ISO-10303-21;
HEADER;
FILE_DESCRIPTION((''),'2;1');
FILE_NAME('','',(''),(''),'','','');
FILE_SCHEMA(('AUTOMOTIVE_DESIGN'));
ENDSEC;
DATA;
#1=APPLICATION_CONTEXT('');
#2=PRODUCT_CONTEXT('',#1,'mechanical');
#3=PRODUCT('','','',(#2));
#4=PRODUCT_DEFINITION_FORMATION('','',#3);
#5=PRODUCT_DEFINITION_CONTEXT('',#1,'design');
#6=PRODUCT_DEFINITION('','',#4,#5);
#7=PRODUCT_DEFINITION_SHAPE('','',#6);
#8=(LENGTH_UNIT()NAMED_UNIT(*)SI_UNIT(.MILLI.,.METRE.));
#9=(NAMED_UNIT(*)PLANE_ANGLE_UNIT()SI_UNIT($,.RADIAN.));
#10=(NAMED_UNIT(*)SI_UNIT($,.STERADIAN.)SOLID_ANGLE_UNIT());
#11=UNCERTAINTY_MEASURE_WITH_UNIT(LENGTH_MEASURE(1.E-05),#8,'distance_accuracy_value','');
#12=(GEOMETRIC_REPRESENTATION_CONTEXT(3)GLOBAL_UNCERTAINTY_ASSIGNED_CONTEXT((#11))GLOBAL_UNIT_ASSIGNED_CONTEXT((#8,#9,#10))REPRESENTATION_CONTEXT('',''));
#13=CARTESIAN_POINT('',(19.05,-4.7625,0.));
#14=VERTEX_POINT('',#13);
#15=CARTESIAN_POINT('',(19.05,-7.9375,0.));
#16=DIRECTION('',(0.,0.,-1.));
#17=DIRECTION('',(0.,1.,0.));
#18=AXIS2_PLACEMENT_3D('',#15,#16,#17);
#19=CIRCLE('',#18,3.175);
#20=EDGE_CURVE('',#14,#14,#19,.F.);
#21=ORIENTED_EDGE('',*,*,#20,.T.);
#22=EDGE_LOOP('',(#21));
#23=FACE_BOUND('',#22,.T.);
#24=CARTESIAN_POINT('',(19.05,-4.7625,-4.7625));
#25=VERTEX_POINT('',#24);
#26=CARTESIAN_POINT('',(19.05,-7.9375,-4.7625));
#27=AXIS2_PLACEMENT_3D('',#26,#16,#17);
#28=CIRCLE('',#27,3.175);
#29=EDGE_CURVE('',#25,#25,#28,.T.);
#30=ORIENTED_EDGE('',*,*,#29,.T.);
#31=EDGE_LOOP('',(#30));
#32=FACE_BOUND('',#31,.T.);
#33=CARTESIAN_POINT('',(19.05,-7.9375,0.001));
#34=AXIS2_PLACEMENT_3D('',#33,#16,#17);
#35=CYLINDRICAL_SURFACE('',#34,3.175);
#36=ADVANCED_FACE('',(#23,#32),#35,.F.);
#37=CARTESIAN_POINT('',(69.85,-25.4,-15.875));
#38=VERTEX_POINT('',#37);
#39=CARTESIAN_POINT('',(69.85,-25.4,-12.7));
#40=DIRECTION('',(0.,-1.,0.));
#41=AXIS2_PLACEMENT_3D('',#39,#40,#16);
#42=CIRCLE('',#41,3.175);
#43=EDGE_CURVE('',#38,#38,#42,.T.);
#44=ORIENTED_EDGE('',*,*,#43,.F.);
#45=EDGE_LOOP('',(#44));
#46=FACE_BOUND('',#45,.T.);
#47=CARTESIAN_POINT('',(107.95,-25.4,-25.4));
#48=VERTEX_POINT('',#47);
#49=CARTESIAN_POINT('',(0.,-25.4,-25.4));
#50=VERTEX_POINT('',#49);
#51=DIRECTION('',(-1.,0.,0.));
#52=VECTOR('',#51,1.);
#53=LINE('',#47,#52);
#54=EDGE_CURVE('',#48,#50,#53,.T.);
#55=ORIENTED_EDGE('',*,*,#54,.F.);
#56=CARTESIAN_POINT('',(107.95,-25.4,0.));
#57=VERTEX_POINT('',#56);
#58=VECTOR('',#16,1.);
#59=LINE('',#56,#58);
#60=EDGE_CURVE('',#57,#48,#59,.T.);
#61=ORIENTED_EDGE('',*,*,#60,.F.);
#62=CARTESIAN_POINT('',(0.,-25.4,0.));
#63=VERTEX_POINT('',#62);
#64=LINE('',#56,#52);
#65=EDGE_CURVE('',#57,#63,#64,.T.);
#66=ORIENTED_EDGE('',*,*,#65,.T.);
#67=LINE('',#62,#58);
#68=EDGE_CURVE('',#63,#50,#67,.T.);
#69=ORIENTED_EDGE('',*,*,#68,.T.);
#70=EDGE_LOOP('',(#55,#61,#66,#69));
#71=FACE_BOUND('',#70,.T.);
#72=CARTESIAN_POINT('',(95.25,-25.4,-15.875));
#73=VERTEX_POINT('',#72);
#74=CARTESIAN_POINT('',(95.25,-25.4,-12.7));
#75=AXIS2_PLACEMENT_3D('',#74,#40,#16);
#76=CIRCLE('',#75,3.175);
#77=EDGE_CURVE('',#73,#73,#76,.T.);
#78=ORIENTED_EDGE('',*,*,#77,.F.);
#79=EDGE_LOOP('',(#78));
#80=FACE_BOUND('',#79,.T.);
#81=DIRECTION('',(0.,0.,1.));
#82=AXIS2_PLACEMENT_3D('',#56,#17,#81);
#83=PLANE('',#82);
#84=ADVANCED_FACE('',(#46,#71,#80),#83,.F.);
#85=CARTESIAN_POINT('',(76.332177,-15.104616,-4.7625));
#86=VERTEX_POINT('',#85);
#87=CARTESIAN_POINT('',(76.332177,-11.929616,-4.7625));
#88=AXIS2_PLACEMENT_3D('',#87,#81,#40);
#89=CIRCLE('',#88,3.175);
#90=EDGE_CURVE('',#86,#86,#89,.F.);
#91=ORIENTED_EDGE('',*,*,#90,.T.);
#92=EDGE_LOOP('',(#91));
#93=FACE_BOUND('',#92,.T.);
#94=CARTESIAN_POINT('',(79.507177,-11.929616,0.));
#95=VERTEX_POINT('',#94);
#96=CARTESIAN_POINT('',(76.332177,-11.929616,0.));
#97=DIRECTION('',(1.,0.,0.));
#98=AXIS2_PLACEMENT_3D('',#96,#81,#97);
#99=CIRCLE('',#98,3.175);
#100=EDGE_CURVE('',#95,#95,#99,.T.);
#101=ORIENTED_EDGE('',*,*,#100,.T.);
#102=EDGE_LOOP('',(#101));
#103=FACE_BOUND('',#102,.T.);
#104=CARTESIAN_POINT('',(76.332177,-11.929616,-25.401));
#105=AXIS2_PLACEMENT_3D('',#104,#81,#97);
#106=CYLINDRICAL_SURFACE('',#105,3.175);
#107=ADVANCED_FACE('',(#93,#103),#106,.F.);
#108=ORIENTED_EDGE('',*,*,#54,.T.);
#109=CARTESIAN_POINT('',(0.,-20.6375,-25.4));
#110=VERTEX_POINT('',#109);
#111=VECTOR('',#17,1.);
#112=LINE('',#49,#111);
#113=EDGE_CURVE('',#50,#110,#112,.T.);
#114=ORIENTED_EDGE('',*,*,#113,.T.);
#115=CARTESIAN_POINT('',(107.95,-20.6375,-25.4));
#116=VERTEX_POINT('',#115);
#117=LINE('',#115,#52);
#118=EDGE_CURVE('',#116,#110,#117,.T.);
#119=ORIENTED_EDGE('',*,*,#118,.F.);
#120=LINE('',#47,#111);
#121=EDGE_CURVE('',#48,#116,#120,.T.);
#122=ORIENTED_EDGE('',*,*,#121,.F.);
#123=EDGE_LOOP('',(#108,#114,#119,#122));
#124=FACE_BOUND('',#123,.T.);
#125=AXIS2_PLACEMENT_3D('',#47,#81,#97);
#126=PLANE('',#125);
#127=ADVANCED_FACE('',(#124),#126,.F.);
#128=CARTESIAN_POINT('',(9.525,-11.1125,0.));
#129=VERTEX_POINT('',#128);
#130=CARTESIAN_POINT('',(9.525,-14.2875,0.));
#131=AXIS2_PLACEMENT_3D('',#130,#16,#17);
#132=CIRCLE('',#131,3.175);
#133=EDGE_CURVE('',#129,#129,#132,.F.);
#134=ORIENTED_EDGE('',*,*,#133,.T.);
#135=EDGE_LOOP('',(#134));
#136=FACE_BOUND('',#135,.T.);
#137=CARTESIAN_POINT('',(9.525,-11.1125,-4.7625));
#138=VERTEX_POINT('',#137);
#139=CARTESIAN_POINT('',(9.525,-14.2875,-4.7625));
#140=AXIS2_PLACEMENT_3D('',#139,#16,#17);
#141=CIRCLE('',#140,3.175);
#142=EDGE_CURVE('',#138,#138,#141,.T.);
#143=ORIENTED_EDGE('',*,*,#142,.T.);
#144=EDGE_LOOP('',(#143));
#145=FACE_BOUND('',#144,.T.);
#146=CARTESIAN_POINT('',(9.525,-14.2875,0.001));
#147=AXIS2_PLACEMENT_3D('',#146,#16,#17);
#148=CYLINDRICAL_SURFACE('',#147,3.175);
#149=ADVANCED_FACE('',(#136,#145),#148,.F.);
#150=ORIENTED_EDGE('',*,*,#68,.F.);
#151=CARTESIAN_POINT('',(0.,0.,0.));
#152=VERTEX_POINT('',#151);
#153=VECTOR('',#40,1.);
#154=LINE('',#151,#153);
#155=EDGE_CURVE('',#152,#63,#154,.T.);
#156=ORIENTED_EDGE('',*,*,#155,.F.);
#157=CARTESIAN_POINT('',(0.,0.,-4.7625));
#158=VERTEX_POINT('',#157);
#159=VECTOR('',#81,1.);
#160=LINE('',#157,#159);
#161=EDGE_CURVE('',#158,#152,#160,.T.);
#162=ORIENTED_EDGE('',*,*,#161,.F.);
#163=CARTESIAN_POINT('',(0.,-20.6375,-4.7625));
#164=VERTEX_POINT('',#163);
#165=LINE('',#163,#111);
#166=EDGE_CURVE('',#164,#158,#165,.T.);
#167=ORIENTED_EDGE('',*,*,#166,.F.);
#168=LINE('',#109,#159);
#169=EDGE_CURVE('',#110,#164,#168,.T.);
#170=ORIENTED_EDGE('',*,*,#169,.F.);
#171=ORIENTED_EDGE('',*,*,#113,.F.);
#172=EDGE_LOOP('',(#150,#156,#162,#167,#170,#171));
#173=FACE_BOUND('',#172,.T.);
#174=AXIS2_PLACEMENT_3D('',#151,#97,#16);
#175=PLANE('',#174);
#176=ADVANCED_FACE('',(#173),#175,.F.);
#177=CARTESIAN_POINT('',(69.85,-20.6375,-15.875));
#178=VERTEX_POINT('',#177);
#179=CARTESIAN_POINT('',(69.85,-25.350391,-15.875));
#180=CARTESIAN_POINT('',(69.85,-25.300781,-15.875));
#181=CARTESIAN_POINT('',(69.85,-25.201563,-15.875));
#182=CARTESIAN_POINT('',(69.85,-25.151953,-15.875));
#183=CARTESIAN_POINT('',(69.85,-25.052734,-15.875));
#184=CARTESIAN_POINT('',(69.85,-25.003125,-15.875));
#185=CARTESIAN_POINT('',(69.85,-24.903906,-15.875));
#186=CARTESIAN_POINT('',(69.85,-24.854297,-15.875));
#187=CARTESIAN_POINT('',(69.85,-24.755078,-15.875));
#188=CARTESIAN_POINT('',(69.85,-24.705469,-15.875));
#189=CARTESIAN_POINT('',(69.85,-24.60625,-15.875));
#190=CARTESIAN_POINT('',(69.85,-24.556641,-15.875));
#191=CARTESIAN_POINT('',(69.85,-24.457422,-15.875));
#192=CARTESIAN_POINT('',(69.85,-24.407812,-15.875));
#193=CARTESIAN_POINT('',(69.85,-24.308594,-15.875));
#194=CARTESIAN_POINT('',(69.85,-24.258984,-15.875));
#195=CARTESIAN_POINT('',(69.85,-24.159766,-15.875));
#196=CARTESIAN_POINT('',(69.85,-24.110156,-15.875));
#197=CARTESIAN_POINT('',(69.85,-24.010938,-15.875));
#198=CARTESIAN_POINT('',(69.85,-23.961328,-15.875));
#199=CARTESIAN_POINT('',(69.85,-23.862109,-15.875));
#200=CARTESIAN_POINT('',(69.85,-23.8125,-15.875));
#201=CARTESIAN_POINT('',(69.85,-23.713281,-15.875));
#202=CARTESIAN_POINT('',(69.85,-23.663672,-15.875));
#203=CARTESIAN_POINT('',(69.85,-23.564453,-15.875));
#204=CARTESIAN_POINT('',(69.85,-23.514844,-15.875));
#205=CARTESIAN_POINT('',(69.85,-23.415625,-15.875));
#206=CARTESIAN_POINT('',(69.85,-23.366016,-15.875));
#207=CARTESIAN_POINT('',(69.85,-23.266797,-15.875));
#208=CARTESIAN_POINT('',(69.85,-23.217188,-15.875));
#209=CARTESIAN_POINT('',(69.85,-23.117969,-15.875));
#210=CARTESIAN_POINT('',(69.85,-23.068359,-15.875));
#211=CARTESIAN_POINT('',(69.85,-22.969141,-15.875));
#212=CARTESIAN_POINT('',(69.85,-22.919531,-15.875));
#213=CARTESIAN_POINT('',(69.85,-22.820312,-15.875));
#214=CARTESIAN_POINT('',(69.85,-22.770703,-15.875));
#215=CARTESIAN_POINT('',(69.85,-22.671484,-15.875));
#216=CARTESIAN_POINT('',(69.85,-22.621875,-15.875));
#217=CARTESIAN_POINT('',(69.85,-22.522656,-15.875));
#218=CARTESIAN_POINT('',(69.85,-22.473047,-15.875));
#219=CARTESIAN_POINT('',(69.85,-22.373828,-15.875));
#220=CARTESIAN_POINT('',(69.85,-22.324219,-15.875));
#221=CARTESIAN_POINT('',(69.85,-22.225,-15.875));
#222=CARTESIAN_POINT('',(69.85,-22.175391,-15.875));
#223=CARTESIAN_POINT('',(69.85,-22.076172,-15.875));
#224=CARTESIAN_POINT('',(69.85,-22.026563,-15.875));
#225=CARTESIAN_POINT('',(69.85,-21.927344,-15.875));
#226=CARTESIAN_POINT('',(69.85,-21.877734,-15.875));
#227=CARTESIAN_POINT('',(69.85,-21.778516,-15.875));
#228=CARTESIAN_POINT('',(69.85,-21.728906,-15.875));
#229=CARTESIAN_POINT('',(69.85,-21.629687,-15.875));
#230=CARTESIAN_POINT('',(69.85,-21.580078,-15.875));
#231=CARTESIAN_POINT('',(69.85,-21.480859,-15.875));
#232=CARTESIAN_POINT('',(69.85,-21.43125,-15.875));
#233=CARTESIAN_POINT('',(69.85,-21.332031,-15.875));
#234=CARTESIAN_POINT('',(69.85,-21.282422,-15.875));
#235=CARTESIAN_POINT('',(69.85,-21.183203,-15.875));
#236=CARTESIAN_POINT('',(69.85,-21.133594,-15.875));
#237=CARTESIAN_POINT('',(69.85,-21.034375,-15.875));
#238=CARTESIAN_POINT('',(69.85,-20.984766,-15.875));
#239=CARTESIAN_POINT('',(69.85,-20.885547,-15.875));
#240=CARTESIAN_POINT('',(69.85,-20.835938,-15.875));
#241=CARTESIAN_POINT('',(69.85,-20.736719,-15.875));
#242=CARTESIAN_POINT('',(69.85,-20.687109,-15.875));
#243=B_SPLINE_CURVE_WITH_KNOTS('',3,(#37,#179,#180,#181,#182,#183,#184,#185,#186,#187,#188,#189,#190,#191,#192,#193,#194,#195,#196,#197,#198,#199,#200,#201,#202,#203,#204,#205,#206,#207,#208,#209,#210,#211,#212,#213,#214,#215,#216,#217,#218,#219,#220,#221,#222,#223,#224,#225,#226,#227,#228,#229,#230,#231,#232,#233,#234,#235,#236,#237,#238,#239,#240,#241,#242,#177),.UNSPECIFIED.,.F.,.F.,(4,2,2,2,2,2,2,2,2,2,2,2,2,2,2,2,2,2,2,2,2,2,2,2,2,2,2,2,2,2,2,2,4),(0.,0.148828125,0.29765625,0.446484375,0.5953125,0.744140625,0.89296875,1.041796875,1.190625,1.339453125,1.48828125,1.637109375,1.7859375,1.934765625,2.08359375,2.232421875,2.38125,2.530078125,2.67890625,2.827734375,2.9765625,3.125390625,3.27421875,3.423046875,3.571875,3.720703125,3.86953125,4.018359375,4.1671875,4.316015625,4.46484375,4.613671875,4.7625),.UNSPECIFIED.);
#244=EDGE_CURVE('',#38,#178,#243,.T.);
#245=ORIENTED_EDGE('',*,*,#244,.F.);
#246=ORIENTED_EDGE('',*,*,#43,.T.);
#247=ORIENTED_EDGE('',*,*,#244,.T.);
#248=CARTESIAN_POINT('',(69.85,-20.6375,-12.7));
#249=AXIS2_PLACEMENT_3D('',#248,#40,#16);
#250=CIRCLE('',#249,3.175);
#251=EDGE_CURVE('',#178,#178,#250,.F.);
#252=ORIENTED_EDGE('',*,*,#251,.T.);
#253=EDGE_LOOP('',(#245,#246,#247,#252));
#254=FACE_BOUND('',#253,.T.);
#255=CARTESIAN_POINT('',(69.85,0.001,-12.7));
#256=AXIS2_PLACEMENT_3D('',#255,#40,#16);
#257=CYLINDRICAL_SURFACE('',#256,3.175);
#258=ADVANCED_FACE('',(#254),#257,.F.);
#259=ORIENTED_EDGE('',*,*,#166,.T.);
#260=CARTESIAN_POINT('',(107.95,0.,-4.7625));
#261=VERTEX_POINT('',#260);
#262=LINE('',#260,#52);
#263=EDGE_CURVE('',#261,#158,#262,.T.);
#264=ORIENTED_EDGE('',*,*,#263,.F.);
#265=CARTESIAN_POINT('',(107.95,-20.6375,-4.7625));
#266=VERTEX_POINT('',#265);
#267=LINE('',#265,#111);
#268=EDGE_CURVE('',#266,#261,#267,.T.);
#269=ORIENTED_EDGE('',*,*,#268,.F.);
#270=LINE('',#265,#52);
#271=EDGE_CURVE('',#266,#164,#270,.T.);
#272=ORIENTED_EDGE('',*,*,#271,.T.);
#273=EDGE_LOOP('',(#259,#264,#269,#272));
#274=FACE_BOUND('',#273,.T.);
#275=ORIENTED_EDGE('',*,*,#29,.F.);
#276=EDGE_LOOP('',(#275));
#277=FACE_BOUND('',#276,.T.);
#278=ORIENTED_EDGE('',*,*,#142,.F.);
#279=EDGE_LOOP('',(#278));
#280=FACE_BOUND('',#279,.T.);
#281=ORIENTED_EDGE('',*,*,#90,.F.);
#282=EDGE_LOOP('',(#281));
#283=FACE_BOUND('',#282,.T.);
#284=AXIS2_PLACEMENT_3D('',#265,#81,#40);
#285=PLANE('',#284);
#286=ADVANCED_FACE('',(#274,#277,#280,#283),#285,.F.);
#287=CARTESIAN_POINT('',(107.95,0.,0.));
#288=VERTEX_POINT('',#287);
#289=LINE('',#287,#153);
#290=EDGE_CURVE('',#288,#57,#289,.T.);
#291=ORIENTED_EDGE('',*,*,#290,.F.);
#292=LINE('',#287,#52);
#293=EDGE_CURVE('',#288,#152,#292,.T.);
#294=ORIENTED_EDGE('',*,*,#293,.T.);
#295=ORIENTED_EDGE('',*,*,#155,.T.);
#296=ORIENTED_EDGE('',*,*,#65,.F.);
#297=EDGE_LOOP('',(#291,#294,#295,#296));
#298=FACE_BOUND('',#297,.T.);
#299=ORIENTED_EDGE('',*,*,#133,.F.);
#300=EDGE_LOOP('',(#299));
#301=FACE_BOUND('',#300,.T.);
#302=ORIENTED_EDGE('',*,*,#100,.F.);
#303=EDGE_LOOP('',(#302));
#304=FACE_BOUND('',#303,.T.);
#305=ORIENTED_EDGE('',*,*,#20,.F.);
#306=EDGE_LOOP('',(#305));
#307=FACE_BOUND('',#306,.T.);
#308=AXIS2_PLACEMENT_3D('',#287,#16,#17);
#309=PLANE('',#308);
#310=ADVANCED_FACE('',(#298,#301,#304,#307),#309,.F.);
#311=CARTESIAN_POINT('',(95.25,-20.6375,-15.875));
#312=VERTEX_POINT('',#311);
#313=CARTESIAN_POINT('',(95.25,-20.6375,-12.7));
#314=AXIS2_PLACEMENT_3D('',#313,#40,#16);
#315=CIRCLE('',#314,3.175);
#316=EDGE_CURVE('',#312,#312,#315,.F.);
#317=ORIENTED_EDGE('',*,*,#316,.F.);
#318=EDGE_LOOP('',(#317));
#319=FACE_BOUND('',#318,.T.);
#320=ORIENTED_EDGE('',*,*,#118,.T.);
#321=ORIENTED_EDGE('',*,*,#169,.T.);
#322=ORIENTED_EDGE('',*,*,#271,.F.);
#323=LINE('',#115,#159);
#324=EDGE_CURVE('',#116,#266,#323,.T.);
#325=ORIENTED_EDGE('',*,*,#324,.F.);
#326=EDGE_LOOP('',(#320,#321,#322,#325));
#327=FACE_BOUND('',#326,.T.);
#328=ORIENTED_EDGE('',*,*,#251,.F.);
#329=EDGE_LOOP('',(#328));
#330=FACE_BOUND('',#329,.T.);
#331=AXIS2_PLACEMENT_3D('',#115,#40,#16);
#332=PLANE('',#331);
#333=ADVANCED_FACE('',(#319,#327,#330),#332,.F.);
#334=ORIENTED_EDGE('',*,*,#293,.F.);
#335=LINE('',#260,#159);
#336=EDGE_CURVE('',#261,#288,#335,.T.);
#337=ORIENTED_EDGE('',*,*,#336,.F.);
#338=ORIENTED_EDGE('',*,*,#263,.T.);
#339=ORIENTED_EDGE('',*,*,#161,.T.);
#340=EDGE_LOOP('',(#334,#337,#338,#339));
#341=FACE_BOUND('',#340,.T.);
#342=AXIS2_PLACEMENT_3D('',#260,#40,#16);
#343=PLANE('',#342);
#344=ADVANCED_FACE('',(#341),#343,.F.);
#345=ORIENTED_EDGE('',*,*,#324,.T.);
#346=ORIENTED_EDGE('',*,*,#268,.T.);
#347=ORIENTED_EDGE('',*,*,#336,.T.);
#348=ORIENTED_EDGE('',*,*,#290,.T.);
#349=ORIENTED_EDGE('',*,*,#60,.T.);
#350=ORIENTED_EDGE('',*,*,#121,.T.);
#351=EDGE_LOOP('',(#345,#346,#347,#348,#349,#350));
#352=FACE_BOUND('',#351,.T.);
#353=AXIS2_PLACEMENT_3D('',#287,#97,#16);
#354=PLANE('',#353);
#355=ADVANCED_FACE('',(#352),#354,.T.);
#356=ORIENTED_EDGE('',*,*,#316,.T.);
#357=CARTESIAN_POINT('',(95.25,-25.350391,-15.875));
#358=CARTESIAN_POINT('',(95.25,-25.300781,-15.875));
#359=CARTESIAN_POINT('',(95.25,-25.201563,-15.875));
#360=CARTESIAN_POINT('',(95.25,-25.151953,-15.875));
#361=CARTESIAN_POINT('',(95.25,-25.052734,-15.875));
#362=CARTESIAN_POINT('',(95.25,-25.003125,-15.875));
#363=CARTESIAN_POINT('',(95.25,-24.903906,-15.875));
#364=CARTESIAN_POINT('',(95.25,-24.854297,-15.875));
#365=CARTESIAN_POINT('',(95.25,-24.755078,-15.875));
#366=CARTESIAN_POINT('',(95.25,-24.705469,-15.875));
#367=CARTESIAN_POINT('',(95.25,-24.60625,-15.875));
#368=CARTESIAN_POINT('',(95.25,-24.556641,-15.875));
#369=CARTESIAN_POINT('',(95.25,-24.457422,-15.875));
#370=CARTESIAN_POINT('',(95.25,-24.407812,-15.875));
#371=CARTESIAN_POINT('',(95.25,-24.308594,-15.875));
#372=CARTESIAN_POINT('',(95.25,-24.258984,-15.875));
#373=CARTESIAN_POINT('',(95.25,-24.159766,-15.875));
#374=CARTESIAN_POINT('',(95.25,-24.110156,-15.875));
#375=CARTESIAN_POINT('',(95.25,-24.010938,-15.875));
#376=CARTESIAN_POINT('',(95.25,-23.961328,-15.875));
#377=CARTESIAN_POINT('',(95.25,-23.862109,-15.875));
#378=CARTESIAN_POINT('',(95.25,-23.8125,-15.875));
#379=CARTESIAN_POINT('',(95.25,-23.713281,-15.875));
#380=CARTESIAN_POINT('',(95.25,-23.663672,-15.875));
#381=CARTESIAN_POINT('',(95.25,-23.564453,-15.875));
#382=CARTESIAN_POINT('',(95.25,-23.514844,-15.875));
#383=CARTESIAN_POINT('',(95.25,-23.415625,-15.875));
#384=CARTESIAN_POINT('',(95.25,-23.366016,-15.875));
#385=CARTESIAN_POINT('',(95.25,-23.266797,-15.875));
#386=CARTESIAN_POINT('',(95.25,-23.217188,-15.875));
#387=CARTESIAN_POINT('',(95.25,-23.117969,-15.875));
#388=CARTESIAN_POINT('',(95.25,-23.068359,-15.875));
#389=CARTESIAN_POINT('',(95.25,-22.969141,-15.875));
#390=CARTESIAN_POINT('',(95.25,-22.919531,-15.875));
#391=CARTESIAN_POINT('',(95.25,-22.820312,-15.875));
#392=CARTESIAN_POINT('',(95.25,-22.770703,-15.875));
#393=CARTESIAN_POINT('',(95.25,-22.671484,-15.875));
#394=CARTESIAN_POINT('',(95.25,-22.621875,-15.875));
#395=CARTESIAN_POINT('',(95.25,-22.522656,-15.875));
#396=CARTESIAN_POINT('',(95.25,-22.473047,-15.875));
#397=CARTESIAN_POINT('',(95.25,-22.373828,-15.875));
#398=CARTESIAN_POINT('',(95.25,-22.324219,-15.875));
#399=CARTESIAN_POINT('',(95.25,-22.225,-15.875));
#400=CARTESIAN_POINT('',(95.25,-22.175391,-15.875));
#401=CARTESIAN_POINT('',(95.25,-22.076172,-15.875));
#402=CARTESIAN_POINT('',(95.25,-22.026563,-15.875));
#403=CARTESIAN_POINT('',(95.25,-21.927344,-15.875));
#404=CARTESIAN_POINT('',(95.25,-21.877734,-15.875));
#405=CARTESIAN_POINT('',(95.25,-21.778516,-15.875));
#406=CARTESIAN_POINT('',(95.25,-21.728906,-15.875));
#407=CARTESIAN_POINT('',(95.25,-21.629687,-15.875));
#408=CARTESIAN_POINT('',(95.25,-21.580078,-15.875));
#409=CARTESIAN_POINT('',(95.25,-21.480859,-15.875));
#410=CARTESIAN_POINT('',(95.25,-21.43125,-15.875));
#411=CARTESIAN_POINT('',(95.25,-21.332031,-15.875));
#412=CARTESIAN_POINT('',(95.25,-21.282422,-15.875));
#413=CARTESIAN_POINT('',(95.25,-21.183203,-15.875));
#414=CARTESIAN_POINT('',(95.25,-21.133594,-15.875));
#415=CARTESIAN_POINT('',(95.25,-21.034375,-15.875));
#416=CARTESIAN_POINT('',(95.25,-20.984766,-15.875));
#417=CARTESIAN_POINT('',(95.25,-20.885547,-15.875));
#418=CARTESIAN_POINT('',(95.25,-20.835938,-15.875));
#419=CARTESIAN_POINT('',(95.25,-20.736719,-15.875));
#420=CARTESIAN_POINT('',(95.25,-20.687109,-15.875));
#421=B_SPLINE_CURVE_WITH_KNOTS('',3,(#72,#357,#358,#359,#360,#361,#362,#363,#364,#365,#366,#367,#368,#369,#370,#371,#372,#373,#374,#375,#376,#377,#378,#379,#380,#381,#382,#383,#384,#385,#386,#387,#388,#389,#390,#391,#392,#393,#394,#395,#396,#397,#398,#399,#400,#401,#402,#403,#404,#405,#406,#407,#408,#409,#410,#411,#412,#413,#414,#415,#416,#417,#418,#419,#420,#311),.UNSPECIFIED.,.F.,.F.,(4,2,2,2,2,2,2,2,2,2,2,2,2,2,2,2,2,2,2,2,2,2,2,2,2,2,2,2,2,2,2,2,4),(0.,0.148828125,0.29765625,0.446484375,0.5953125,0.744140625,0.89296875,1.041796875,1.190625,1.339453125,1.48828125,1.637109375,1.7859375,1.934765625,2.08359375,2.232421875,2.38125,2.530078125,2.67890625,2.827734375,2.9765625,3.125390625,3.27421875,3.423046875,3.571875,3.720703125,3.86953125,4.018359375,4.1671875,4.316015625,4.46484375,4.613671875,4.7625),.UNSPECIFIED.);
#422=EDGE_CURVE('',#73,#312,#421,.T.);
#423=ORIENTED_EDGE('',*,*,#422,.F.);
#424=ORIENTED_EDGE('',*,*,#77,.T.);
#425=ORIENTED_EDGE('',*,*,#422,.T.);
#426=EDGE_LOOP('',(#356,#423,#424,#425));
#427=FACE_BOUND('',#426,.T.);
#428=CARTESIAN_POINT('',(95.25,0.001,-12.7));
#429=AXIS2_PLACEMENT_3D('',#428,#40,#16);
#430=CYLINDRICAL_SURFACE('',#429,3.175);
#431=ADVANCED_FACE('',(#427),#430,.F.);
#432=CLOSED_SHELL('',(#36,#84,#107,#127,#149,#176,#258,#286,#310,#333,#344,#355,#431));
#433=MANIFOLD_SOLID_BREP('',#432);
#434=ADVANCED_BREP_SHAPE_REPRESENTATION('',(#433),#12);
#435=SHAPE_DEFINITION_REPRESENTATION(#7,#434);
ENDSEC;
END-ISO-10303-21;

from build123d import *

# Parameters (mm, degrees)
BOSS_EXTRUDE1_DEPTH = 107.95
CUT_EXTRUDE1_REACH  = 114.802
SKETCH3_R           = 3.175
CUT_EXTRUDE2_REACH  = 115.77
SKETCH4_R           = 3.175
CUT_EXTRUDE4_REACH  = 115.77
SKETCH5_R           = 3.175


with BuildPart() as part:
    # Sketch1 → Boss-Extrude1 (new body)
    with BuildSketch(Plane(origin=(0, 0, 0), x_dir=(0, 0, -1), z_dir=(1, 0, 0))):
        Polygon((0, 0), (0, -25.4), (25.4, -25.4), (25.4, -20.6375), (4.7625, -20.6375), (4.7625, 0), align=None)
    extrude(amount=BOSS_EXTRUDE1_DEPTH)

    # Sketch3 → Cut-Extrude1 (cut, up to next)
    with BuildSketch(Plane(origin=(0, 0, -4.7625), x_dir=(-1, 0, 0), z_dir=(0, 0, -1)), mode=Mode.PRIVATE) as cut_extrude1_sk1:
        with Locations(Location((-9.525, -14.2875, 0), (0, 0, 90))):
            Circle(SKETCH3_R)
    cut_extrude1_tool1 = extrude(cut_extrude1_sk1.sketch, amount=-CUT_EXTRUDE1_REACH, mode=Mode.PRIVATE) & part.part
    # Sketch3 → Cut-Extrude1 (cut, up to next)
    with BuildSketch(Plane(origin=(0, 0, -4.7625), x_dir=(-1, 0, 0), z_dir=(0, 0, -1)), mode=Mode.PRIVATE) as cut_extrude1_sk2:
        with Locations(Location((-19.05, -7.9375, 0), (0, 0, 90))):
            Circle(SKETCH3_R)
    cut_extrude1_tool2 = extrude(cut_extrude1_sk2.sketch, amount=-CUT_EXTRUDE1_REACH, mode=Mode.PRIVATE) & part.part
    add(cut_extrude1_tool1.solids().sort_by_distance((9.525, -14.2875, -4.7625))[0], mode=Mode.SUBTRACT)
    add(cut_extrude1_tool2.solids().sort_by_distance((19.05, -7.9375, -4.7625))[0], mode=Mode.SUBTRACT)

    # Sketch4 → Cut-Extrude2 (cut, up to next)
    with BuildSketch(Plane.XY, mode=Mode.PRIVATE) as cut_extrude2_sk1:
        with Locations((76.332177029, -11.929615818)):
            Circle(SKETCH4_R)
    cut_extrude2_tool1 = extrude(cut_extrude2_sk1.sketch, amount=-CUT_EXTRUDE2_REACH, mode=Mode.PRIVATE) & part.part
    add(cut_extrude2_tool1.solids().sort_by_distance((76.332177, -11.929616, 0))[0], mode=Mode.SUBTRACT)

    # Sketch5 → Cut-Extrude4 (cut, up to next)
    with BuildSketch(Plane.XZ.offset(25.4), mode=Mode.PRIVATE) as cut_extrude4_sk1:
        with Locations(Location((69.85, -12.7, 0), (0, 0, 270))):
            Circle(SKETCH5_R)
    cut_extrude4_tool1 = extrude(cut_extrude4_sk1.sketch, amount=-CUT_EXTRUDE4_REACH, mode=Mode.PRIVATE) & part.part
    # Sketch5 → Cut-Extrude4 (cut, up to next)
    with BuildSketch(Plane.XZ.offset(25.4), mode=Mode.PRIVATE) as cut_extrude4_sk2:
        with Locations(Location((95.25, -12.7, 0), (0, 0, 270))):
            Circle(SKETCH5_R)
    cut_extrude4_tool2 = extrude(cut_extrude4_sk2.sketch, amount=-CUT_EXTRUDE4_REACH, mode=Mode.PRIVATE) & part.part
    add(cut_extrude4_tool1.solids().sort_by_distance((69.85, -25.4, -12.7))[0], mode=Mode.SUBTRACT)
    add(cut_extrude4_tool2.solids().sort_by_distance((95.25, -25.4, -12.7))[0], mode=Mode.SUBTRACT)


solid = part.part
